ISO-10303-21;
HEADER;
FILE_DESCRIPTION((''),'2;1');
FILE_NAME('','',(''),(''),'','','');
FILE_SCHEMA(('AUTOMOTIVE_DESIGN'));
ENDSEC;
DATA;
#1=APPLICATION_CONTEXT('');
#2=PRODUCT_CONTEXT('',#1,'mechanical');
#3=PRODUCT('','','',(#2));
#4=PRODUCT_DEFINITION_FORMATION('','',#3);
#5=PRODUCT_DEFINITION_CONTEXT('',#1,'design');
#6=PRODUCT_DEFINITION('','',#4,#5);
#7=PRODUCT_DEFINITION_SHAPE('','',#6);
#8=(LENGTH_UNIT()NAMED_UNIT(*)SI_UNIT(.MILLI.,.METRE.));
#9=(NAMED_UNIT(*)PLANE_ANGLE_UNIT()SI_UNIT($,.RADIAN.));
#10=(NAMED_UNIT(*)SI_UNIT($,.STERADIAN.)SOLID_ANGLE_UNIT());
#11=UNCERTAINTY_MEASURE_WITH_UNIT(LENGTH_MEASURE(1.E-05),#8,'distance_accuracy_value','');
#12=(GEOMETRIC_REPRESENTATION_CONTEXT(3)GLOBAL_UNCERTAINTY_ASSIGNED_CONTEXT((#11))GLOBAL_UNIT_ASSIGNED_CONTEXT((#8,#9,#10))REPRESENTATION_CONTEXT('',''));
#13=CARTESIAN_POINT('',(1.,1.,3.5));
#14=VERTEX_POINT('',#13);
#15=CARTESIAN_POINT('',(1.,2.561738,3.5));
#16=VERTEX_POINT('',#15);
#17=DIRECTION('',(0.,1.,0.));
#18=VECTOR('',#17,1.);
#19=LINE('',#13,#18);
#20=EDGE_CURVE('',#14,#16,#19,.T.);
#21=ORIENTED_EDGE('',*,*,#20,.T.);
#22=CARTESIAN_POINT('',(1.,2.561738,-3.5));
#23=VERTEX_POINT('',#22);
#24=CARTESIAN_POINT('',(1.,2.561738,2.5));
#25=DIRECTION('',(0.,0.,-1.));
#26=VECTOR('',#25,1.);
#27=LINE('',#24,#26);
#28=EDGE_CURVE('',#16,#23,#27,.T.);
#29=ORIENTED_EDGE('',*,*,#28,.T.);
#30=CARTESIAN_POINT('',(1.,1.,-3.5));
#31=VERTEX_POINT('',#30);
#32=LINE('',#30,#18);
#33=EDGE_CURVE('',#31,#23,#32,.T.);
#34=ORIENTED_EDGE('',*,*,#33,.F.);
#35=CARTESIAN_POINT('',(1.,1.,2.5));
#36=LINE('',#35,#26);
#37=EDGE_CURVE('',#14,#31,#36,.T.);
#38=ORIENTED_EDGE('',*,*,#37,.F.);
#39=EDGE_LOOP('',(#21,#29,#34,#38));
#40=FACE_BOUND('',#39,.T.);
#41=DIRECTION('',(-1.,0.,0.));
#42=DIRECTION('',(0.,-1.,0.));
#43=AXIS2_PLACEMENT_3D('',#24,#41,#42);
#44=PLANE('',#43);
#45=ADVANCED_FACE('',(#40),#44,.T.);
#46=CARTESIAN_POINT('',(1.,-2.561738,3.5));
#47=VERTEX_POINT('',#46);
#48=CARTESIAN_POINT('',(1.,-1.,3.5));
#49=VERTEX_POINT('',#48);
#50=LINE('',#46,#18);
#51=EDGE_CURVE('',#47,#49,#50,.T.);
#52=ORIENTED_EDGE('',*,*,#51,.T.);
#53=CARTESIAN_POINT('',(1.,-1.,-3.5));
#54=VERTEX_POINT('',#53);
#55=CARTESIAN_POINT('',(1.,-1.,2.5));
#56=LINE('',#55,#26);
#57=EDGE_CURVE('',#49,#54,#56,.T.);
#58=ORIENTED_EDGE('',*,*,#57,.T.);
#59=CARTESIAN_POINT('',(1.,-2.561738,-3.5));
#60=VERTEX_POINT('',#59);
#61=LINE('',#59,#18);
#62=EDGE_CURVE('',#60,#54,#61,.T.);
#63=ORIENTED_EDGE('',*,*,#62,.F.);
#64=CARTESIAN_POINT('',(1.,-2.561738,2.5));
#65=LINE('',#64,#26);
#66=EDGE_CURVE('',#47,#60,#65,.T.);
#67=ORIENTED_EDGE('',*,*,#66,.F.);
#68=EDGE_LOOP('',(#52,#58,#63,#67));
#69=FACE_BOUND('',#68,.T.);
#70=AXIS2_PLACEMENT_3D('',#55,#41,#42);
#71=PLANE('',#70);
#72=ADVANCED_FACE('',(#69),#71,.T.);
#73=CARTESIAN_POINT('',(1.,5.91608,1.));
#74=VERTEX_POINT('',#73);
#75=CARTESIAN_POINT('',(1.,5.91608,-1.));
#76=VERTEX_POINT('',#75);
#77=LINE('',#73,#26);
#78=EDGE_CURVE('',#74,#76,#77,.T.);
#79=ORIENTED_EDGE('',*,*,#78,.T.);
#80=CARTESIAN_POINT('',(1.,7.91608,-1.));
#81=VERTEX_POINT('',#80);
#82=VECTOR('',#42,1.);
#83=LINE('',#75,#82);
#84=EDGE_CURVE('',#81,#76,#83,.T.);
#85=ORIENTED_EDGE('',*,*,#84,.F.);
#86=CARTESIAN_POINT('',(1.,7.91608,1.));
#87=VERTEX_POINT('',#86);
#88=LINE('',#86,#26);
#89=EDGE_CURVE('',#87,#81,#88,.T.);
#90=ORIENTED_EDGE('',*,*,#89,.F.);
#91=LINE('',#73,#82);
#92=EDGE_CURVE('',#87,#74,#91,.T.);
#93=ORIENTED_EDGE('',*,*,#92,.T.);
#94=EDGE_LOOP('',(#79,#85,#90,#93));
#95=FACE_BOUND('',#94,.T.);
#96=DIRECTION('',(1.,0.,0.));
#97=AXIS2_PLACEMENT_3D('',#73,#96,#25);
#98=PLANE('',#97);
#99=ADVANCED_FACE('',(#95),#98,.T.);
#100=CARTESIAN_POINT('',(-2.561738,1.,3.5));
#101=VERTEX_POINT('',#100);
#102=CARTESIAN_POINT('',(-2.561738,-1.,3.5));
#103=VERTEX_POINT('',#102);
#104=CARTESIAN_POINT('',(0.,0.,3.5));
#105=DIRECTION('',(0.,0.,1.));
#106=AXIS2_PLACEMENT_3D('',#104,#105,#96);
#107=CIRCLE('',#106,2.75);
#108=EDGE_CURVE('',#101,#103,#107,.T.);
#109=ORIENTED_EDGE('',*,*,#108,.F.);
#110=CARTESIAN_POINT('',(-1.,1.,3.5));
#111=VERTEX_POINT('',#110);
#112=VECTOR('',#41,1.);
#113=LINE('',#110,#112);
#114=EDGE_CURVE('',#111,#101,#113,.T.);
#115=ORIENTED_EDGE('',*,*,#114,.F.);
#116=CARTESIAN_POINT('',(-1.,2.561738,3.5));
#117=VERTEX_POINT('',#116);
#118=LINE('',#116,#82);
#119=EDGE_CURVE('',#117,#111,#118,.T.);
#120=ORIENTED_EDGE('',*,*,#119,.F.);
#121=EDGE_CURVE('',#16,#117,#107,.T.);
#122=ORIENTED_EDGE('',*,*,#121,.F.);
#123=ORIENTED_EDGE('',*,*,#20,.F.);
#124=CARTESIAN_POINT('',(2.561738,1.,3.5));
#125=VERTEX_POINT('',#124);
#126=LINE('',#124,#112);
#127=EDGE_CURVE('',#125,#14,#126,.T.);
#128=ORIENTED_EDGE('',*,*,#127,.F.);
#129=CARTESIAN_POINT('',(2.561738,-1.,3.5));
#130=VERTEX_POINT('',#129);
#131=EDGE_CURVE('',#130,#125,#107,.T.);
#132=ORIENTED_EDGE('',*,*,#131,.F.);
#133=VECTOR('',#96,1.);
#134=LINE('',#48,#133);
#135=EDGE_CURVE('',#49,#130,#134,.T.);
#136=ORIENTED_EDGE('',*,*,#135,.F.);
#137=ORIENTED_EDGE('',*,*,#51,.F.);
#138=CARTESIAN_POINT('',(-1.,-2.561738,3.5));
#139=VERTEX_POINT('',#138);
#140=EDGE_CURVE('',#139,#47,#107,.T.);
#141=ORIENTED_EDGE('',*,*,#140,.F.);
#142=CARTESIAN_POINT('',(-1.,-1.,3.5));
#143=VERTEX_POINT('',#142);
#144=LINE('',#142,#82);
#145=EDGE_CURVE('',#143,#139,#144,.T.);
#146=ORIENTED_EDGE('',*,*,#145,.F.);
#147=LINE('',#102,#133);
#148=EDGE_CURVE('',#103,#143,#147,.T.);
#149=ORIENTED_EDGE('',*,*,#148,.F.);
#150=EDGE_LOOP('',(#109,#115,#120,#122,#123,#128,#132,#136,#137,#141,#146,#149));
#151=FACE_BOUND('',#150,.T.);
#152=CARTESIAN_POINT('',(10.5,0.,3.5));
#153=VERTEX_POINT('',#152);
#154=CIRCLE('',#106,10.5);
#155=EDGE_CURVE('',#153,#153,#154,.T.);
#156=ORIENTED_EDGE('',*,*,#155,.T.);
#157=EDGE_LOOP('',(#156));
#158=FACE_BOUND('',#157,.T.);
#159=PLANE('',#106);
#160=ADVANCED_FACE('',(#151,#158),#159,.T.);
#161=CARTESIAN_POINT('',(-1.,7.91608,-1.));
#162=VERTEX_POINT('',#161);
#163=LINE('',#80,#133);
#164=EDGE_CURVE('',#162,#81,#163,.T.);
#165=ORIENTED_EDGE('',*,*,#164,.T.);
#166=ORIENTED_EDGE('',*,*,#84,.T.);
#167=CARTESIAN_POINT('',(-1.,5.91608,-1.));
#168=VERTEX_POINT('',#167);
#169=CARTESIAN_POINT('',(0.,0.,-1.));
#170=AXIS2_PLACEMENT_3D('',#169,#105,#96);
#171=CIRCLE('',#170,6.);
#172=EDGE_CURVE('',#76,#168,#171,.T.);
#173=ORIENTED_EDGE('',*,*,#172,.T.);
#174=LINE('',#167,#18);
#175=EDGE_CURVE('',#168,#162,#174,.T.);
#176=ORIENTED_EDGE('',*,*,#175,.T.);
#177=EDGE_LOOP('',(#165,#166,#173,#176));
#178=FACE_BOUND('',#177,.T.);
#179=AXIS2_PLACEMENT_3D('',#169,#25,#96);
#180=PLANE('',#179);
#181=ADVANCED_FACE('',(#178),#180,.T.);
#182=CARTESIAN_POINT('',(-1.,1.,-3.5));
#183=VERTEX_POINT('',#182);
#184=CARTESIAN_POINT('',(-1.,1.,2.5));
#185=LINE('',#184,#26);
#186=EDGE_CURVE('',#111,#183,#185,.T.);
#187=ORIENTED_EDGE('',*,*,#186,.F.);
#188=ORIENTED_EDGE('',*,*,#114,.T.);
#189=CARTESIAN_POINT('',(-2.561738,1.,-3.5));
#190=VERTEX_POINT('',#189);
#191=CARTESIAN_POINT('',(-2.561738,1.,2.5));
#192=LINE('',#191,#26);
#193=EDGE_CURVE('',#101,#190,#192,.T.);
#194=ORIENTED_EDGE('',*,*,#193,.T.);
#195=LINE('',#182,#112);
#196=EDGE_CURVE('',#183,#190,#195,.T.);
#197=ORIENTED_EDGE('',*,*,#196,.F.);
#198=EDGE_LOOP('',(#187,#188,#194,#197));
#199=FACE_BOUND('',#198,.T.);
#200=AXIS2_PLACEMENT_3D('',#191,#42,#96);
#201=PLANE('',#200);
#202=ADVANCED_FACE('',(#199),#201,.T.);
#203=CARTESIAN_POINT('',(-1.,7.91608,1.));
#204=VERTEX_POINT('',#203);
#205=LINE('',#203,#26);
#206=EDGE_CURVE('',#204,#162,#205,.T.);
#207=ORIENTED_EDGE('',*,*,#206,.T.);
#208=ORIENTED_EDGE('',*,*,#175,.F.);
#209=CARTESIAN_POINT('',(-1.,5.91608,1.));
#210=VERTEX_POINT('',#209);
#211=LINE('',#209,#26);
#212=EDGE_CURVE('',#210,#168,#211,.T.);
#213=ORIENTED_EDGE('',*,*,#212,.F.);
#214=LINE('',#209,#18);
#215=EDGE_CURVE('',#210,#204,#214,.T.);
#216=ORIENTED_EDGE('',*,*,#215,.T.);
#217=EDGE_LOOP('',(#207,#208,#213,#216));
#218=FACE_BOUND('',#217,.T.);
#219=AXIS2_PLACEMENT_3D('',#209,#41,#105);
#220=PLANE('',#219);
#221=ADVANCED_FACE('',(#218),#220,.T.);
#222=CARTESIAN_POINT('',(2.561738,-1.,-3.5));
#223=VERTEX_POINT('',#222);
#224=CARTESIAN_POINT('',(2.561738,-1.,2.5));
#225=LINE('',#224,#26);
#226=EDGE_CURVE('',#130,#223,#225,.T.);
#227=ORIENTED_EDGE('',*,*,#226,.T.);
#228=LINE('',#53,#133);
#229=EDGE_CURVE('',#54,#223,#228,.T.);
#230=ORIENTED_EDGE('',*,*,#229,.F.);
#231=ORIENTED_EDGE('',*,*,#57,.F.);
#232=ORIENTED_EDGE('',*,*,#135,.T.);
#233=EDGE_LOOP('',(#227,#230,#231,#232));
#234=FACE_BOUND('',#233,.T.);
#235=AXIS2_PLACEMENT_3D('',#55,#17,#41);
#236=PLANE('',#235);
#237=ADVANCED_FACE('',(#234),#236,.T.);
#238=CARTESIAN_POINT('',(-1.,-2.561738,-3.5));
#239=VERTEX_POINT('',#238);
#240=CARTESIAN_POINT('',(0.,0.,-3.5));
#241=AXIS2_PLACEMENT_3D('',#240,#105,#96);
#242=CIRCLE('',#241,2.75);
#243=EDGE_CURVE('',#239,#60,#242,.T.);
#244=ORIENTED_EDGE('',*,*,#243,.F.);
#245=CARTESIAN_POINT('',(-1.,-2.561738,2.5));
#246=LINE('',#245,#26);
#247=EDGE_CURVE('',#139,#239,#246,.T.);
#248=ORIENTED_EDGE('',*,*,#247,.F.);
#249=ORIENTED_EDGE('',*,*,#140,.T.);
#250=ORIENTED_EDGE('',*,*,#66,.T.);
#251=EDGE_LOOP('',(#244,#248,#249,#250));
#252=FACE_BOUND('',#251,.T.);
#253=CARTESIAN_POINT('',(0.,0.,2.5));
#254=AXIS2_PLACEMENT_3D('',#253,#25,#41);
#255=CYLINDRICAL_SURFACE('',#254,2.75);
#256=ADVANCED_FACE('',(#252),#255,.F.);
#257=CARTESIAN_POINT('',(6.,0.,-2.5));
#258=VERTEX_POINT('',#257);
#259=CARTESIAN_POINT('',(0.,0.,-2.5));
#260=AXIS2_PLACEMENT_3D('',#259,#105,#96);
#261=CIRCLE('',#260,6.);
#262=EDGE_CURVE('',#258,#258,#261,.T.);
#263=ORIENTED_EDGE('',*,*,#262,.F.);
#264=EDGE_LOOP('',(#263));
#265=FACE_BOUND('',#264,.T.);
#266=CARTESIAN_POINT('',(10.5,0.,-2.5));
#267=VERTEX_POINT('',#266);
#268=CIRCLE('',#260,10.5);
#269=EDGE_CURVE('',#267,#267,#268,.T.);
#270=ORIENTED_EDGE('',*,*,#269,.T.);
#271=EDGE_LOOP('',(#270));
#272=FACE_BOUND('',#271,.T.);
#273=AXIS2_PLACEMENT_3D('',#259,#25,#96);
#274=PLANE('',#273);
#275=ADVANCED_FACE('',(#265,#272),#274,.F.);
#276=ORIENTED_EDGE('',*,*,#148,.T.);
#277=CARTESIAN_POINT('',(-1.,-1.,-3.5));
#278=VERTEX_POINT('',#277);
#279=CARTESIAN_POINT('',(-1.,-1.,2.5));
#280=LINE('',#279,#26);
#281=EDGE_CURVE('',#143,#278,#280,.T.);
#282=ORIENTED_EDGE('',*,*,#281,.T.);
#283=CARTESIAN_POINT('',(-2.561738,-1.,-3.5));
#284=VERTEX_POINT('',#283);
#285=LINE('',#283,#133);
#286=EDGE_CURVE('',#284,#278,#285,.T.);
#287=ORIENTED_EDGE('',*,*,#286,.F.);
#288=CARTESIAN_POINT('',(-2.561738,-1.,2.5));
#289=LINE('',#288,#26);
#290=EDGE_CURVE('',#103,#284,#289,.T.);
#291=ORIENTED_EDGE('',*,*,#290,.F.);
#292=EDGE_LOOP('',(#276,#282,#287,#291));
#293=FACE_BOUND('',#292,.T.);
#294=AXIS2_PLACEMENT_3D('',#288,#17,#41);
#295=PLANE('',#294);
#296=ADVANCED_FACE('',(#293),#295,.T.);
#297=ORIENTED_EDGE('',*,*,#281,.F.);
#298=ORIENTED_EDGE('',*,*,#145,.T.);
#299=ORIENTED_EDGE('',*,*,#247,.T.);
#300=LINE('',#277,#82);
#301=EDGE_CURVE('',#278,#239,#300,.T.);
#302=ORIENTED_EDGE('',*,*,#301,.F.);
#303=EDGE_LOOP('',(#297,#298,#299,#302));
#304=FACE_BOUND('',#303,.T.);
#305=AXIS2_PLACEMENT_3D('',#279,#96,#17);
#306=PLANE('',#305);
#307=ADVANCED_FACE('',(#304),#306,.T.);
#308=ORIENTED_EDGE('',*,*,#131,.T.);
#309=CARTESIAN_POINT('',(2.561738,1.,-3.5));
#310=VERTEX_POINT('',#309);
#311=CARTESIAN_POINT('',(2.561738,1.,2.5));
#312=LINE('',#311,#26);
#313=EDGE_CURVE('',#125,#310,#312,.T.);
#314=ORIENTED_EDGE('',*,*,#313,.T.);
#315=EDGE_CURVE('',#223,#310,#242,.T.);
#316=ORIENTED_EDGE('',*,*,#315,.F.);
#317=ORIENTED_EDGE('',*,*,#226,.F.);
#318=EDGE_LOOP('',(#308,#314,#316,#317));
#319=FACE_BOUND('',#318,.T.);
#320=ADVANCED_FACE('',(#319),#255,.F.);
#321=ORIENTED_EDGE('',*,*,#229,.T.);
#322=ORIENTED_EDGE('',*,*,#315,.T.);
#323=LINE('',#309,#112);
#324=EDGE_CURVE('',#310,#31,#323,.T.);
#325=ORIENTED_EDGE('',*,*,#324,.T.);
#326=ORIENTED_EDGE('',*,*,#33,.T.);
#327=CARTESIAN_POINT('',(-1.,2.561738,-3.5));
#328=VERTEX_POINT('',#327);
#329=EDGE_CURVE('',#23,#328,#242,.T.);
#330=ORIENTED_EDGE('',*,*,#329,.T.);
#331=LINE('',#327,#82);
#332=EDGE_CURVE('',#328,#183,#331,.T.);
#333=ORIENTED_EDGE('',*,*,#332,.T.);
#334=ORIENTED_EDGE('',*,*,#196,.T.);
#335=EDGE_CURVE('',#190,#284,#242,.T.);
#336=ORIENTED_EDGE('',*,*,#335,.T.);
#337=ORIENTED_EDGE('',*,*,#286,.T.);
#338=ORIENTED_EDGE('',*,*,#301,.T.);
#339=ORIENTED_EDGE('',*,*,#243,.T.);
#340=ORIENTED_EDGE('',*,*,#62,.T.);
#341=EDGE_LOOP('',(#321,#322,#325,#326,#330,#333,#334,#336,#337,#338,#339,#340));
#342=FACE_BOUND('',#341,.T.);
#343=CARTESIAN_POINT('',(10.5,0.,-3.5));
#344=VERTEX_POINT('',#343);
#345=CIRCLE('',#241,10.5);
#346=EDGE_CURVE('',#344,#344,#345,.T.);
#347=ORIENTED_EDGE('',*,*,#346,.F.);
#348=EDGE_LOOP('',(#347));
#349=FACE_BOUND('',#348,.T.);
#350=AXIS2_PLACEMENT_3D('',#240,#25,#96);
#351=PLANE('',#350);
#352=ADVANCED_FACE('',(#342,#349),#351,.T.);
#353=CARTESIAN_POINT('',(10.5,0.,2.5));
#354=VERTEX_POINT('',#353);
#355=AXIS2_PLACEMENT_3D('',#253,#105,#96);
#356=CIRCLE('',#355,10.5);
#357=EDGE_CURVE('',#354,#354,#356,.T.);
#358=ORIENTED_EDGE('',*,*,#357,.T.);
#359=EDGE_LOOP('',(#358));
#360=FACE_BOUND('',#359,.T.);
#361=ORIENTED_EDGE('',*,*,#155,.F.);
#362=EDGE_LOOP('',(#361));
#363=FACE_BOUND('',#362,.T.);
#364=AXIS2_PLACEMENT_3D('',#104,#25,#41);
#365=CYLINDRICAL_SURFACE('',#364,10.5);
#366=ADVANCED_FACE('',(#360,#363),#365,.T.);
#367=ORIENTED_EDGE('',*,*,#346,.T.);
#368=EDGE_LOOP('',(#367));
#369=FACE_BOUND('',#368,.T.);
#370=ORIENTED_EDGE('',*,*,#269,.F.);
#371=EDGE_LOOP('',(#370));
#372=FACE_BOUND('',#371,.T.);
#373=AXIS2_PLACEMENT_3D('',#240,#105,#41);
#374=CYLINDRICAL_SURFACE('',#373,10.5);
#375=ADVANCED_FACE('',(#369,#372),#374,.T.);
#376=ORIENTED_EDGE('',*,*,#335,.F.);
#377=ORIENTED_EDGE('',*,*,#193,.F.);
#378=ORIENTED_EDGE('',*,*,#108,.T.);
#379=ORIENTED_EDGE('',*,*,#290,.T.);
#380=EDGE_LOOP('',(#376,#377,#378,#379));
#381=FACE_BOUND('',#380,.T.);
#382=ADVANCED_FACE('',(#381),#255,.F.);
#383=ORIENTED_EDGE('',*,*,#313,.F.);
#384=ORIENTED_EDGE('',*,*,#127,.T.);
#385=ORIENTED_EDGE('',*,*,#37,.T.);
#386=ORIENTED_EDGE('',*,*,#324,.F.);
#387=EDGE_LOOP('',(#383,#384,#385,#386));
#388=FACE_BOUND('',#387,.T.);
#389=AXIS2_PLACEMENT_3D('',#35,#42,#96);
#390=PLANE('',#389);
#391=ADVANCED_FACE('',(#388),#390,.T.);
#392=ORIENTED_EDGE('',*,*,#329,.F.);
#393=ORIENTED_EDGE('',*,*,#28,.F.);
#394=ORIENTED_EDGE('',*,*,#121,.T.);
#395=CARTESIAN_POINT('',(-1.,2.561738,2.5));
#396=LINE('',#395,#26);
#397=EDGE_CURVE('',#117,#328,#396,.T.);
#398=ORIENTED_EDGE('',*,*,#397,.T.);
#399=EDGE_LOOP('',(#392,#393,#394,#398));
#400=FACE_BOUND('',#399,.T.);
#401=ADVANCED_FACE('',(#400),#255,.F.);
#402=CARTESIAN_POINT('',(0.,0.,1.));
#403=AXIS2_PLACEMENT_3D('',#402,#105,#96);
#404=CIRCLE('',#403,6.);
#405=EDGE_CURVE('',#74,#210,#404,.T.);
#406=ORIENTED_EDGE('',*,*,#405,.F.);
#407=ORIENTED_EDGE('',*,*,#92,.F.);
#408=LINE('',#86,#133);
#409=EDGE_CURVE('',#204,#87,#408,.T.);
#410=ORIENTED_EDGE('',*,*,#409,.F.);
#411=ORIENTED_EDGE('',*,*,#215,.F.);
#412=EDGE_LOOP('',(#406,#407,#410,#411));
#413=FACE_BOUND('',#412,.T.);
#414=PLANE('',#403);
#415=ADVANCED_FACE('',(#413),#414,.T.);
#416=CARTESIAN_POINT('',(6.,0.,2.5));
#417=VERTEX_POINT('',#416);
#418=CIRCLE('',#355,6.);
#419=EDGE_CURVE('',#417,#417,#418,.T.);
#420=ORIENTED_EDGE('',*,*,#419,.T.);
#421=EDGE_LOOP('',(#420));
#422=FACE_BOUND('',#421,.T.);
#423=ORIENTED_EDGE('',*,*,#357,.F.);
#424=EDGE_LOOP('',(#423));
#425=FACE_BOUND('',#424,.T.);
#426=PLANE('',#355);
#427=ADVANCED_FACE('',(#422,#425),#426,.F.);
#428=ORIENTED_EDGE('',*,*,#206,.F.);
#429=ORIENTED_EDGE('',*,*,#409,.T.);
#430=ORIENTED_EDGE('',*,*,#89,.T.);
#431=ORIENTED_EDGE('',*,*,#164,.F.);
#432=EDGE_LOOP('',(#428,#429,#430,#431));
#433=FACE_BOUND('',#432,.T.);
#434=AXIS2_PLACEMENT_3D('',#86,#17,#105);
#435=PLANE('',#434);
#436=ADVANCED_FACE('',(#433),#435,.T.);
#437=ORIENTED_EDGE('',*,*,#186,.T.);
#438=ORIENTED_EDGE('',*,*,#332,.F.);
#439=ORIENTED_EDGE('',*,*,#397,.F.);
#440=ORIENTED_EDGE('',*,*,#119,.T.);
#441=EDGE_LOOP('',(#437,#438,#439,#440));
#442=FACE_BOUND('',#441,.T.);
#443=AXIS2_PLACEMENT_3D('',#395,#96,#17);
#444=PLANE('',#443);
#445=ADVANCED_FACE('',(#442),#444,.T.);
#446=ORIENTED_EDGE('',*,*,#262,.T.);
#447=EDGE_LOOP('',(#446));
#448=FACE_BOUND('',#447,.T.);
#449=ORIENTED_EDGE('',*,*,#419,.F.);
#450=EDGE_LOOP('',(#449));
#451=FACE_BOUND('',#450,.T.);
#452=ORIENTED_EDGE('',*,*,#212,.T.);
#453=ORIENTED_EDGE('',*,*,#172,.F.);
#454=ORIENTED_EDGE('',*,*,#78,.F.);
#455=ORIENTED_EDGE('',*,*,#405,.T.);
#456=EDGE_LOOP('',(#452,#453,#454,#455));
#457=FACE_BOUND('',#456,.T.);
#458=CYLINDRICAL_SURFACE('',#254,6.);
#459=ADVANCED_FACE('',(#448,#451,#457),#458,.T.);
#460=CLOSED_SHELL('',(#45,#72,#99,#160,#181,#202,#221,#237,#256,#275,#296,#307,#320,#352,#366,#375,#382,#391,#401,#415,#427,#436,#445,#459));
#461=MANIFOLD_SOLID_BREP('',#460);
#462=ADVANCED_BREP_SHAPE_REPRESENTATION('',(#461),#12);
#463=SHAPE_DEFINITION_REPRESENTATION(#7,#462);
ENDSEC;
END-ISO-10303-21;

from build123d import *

# Parameters (mm, degrees)
ESQUISSE1_R        = 6
BOSS_EXTRU_1_DEPTH = 2.5
ESQUISSE2_R        = 10.5
BOSS_EXTRU_4_DEPTH = 1
ESQUISSE3_W        = 2
ESQUISSE3_H        = 2
BOSS_EXTRU_5_DEPTH = 1


with BuildPart() as part:
    # Esquisse1 → Boss.-Extru.1 (new body)
    with BuildSketch(Plane.XY):
        Circle(ESQUISSE1_R)
        with BuildLine():
            Line((-2.561737691, 1), (-1, 1))
            Line((-1, 1), (-1, 2.561737691))
            ThreePointArc((-1, 2.561737691), (0, 2.75), (1, 2.561737691))
            Line((1, 2.561737691), (1, 1))
            Line((1, 1), (2.561737691, 1))
            ThreePointArc((2.561737691, 1), (2.75, 0), (2.561737691, -1))
            Line((2.561737691, -1), (1, -1))
            Line((1, -1), (1, -2.561737691))
            ThreePointArc((1, -2.561737691), (0, -2.75), (-1, -2.561737691))
            Line((-1, -2.561737691), (-1, -1))
            Line((-1, -1), (-2.561737691, -1))
            ThreePointArc((-2.561737691, -1), (-2.75, 0), (-2.561737691, 1))
        make_face(mode=Mode.SUBTRACT)
    boss_extru_1 = extrude(amount=BOSS_EXTRU_1_DEPTH)

    # Esquisse2 → Boss.-Extru.4 (add)
    with BuildSketch(Plane.XY.offset(2.5)):
        Circle(ESQUISSE2_R)
        with BuildLine():
            Line((-1, 2.561737691), (-1, 1))
            Line((-1, 1), (-2.561737691, 1))
            ThreePointArc((-2.561737691, 1), (-2.75, 0), (-2.561737691, -1))
            Line((-2.561737691, -1), (-1, -1))
            Line((-1, -1), (-1, -2.561737691))
            ThreePointArc((-1, -2.561737691), (0, -2.75), (1, -2.561737691))
            Line((1, -2.561737691), (1, -1))
            Line((1, -1), (2.561737691, -1))
            ThreePointArc((2.561737691, -1), (2.75, 0), (2.561737691, 1))
            Line((2.561737691, 1), (1, 1))
            Line((1, 1), (1, 2.561737691))
            ThreePointArc((1, 2.561737691), (0, 2.75), (-1, 2.561737691))
        make_face(mode=Mode.SUBTRACT)
    boss_extru_4 = extrude(amount=BOSS_EXTRU_4_DEPTH)

    # Esquisse3 → Boss.-Extru.5 (add)
    with BuildSketch(Plane(origin=(0, 0, 0), x_dir=(-1, 0, 0), z_dir=(0, 0, -1))):
        with Locations((0, 6.916079783)):
            Rectangle(ESQUISSE3_W, ESQUISSE3_H)
    boss_extru_5 = extrude(amount=-BOSS_EXTRU_5_DEPTH)


with BuildPart() as sym_trie1_1:
    # Symétrie1: Boss.-Extru.1, Boss.-Extru.4, Boss.-Extru.5 across Front Plane
    add(boss_extru_1.mirror(Plane.XY))
    add(boss_extru_4.mirror(Plane.XY))
    add(boss_extru_5.mirror(Plane.XY))


with BuildPart() as part_1:
    add(part.part)

    # Symétrie1 united with what the copies to: union Symétrie1_1
    add(sym_trie1_1.part)


solid = part_1.part
